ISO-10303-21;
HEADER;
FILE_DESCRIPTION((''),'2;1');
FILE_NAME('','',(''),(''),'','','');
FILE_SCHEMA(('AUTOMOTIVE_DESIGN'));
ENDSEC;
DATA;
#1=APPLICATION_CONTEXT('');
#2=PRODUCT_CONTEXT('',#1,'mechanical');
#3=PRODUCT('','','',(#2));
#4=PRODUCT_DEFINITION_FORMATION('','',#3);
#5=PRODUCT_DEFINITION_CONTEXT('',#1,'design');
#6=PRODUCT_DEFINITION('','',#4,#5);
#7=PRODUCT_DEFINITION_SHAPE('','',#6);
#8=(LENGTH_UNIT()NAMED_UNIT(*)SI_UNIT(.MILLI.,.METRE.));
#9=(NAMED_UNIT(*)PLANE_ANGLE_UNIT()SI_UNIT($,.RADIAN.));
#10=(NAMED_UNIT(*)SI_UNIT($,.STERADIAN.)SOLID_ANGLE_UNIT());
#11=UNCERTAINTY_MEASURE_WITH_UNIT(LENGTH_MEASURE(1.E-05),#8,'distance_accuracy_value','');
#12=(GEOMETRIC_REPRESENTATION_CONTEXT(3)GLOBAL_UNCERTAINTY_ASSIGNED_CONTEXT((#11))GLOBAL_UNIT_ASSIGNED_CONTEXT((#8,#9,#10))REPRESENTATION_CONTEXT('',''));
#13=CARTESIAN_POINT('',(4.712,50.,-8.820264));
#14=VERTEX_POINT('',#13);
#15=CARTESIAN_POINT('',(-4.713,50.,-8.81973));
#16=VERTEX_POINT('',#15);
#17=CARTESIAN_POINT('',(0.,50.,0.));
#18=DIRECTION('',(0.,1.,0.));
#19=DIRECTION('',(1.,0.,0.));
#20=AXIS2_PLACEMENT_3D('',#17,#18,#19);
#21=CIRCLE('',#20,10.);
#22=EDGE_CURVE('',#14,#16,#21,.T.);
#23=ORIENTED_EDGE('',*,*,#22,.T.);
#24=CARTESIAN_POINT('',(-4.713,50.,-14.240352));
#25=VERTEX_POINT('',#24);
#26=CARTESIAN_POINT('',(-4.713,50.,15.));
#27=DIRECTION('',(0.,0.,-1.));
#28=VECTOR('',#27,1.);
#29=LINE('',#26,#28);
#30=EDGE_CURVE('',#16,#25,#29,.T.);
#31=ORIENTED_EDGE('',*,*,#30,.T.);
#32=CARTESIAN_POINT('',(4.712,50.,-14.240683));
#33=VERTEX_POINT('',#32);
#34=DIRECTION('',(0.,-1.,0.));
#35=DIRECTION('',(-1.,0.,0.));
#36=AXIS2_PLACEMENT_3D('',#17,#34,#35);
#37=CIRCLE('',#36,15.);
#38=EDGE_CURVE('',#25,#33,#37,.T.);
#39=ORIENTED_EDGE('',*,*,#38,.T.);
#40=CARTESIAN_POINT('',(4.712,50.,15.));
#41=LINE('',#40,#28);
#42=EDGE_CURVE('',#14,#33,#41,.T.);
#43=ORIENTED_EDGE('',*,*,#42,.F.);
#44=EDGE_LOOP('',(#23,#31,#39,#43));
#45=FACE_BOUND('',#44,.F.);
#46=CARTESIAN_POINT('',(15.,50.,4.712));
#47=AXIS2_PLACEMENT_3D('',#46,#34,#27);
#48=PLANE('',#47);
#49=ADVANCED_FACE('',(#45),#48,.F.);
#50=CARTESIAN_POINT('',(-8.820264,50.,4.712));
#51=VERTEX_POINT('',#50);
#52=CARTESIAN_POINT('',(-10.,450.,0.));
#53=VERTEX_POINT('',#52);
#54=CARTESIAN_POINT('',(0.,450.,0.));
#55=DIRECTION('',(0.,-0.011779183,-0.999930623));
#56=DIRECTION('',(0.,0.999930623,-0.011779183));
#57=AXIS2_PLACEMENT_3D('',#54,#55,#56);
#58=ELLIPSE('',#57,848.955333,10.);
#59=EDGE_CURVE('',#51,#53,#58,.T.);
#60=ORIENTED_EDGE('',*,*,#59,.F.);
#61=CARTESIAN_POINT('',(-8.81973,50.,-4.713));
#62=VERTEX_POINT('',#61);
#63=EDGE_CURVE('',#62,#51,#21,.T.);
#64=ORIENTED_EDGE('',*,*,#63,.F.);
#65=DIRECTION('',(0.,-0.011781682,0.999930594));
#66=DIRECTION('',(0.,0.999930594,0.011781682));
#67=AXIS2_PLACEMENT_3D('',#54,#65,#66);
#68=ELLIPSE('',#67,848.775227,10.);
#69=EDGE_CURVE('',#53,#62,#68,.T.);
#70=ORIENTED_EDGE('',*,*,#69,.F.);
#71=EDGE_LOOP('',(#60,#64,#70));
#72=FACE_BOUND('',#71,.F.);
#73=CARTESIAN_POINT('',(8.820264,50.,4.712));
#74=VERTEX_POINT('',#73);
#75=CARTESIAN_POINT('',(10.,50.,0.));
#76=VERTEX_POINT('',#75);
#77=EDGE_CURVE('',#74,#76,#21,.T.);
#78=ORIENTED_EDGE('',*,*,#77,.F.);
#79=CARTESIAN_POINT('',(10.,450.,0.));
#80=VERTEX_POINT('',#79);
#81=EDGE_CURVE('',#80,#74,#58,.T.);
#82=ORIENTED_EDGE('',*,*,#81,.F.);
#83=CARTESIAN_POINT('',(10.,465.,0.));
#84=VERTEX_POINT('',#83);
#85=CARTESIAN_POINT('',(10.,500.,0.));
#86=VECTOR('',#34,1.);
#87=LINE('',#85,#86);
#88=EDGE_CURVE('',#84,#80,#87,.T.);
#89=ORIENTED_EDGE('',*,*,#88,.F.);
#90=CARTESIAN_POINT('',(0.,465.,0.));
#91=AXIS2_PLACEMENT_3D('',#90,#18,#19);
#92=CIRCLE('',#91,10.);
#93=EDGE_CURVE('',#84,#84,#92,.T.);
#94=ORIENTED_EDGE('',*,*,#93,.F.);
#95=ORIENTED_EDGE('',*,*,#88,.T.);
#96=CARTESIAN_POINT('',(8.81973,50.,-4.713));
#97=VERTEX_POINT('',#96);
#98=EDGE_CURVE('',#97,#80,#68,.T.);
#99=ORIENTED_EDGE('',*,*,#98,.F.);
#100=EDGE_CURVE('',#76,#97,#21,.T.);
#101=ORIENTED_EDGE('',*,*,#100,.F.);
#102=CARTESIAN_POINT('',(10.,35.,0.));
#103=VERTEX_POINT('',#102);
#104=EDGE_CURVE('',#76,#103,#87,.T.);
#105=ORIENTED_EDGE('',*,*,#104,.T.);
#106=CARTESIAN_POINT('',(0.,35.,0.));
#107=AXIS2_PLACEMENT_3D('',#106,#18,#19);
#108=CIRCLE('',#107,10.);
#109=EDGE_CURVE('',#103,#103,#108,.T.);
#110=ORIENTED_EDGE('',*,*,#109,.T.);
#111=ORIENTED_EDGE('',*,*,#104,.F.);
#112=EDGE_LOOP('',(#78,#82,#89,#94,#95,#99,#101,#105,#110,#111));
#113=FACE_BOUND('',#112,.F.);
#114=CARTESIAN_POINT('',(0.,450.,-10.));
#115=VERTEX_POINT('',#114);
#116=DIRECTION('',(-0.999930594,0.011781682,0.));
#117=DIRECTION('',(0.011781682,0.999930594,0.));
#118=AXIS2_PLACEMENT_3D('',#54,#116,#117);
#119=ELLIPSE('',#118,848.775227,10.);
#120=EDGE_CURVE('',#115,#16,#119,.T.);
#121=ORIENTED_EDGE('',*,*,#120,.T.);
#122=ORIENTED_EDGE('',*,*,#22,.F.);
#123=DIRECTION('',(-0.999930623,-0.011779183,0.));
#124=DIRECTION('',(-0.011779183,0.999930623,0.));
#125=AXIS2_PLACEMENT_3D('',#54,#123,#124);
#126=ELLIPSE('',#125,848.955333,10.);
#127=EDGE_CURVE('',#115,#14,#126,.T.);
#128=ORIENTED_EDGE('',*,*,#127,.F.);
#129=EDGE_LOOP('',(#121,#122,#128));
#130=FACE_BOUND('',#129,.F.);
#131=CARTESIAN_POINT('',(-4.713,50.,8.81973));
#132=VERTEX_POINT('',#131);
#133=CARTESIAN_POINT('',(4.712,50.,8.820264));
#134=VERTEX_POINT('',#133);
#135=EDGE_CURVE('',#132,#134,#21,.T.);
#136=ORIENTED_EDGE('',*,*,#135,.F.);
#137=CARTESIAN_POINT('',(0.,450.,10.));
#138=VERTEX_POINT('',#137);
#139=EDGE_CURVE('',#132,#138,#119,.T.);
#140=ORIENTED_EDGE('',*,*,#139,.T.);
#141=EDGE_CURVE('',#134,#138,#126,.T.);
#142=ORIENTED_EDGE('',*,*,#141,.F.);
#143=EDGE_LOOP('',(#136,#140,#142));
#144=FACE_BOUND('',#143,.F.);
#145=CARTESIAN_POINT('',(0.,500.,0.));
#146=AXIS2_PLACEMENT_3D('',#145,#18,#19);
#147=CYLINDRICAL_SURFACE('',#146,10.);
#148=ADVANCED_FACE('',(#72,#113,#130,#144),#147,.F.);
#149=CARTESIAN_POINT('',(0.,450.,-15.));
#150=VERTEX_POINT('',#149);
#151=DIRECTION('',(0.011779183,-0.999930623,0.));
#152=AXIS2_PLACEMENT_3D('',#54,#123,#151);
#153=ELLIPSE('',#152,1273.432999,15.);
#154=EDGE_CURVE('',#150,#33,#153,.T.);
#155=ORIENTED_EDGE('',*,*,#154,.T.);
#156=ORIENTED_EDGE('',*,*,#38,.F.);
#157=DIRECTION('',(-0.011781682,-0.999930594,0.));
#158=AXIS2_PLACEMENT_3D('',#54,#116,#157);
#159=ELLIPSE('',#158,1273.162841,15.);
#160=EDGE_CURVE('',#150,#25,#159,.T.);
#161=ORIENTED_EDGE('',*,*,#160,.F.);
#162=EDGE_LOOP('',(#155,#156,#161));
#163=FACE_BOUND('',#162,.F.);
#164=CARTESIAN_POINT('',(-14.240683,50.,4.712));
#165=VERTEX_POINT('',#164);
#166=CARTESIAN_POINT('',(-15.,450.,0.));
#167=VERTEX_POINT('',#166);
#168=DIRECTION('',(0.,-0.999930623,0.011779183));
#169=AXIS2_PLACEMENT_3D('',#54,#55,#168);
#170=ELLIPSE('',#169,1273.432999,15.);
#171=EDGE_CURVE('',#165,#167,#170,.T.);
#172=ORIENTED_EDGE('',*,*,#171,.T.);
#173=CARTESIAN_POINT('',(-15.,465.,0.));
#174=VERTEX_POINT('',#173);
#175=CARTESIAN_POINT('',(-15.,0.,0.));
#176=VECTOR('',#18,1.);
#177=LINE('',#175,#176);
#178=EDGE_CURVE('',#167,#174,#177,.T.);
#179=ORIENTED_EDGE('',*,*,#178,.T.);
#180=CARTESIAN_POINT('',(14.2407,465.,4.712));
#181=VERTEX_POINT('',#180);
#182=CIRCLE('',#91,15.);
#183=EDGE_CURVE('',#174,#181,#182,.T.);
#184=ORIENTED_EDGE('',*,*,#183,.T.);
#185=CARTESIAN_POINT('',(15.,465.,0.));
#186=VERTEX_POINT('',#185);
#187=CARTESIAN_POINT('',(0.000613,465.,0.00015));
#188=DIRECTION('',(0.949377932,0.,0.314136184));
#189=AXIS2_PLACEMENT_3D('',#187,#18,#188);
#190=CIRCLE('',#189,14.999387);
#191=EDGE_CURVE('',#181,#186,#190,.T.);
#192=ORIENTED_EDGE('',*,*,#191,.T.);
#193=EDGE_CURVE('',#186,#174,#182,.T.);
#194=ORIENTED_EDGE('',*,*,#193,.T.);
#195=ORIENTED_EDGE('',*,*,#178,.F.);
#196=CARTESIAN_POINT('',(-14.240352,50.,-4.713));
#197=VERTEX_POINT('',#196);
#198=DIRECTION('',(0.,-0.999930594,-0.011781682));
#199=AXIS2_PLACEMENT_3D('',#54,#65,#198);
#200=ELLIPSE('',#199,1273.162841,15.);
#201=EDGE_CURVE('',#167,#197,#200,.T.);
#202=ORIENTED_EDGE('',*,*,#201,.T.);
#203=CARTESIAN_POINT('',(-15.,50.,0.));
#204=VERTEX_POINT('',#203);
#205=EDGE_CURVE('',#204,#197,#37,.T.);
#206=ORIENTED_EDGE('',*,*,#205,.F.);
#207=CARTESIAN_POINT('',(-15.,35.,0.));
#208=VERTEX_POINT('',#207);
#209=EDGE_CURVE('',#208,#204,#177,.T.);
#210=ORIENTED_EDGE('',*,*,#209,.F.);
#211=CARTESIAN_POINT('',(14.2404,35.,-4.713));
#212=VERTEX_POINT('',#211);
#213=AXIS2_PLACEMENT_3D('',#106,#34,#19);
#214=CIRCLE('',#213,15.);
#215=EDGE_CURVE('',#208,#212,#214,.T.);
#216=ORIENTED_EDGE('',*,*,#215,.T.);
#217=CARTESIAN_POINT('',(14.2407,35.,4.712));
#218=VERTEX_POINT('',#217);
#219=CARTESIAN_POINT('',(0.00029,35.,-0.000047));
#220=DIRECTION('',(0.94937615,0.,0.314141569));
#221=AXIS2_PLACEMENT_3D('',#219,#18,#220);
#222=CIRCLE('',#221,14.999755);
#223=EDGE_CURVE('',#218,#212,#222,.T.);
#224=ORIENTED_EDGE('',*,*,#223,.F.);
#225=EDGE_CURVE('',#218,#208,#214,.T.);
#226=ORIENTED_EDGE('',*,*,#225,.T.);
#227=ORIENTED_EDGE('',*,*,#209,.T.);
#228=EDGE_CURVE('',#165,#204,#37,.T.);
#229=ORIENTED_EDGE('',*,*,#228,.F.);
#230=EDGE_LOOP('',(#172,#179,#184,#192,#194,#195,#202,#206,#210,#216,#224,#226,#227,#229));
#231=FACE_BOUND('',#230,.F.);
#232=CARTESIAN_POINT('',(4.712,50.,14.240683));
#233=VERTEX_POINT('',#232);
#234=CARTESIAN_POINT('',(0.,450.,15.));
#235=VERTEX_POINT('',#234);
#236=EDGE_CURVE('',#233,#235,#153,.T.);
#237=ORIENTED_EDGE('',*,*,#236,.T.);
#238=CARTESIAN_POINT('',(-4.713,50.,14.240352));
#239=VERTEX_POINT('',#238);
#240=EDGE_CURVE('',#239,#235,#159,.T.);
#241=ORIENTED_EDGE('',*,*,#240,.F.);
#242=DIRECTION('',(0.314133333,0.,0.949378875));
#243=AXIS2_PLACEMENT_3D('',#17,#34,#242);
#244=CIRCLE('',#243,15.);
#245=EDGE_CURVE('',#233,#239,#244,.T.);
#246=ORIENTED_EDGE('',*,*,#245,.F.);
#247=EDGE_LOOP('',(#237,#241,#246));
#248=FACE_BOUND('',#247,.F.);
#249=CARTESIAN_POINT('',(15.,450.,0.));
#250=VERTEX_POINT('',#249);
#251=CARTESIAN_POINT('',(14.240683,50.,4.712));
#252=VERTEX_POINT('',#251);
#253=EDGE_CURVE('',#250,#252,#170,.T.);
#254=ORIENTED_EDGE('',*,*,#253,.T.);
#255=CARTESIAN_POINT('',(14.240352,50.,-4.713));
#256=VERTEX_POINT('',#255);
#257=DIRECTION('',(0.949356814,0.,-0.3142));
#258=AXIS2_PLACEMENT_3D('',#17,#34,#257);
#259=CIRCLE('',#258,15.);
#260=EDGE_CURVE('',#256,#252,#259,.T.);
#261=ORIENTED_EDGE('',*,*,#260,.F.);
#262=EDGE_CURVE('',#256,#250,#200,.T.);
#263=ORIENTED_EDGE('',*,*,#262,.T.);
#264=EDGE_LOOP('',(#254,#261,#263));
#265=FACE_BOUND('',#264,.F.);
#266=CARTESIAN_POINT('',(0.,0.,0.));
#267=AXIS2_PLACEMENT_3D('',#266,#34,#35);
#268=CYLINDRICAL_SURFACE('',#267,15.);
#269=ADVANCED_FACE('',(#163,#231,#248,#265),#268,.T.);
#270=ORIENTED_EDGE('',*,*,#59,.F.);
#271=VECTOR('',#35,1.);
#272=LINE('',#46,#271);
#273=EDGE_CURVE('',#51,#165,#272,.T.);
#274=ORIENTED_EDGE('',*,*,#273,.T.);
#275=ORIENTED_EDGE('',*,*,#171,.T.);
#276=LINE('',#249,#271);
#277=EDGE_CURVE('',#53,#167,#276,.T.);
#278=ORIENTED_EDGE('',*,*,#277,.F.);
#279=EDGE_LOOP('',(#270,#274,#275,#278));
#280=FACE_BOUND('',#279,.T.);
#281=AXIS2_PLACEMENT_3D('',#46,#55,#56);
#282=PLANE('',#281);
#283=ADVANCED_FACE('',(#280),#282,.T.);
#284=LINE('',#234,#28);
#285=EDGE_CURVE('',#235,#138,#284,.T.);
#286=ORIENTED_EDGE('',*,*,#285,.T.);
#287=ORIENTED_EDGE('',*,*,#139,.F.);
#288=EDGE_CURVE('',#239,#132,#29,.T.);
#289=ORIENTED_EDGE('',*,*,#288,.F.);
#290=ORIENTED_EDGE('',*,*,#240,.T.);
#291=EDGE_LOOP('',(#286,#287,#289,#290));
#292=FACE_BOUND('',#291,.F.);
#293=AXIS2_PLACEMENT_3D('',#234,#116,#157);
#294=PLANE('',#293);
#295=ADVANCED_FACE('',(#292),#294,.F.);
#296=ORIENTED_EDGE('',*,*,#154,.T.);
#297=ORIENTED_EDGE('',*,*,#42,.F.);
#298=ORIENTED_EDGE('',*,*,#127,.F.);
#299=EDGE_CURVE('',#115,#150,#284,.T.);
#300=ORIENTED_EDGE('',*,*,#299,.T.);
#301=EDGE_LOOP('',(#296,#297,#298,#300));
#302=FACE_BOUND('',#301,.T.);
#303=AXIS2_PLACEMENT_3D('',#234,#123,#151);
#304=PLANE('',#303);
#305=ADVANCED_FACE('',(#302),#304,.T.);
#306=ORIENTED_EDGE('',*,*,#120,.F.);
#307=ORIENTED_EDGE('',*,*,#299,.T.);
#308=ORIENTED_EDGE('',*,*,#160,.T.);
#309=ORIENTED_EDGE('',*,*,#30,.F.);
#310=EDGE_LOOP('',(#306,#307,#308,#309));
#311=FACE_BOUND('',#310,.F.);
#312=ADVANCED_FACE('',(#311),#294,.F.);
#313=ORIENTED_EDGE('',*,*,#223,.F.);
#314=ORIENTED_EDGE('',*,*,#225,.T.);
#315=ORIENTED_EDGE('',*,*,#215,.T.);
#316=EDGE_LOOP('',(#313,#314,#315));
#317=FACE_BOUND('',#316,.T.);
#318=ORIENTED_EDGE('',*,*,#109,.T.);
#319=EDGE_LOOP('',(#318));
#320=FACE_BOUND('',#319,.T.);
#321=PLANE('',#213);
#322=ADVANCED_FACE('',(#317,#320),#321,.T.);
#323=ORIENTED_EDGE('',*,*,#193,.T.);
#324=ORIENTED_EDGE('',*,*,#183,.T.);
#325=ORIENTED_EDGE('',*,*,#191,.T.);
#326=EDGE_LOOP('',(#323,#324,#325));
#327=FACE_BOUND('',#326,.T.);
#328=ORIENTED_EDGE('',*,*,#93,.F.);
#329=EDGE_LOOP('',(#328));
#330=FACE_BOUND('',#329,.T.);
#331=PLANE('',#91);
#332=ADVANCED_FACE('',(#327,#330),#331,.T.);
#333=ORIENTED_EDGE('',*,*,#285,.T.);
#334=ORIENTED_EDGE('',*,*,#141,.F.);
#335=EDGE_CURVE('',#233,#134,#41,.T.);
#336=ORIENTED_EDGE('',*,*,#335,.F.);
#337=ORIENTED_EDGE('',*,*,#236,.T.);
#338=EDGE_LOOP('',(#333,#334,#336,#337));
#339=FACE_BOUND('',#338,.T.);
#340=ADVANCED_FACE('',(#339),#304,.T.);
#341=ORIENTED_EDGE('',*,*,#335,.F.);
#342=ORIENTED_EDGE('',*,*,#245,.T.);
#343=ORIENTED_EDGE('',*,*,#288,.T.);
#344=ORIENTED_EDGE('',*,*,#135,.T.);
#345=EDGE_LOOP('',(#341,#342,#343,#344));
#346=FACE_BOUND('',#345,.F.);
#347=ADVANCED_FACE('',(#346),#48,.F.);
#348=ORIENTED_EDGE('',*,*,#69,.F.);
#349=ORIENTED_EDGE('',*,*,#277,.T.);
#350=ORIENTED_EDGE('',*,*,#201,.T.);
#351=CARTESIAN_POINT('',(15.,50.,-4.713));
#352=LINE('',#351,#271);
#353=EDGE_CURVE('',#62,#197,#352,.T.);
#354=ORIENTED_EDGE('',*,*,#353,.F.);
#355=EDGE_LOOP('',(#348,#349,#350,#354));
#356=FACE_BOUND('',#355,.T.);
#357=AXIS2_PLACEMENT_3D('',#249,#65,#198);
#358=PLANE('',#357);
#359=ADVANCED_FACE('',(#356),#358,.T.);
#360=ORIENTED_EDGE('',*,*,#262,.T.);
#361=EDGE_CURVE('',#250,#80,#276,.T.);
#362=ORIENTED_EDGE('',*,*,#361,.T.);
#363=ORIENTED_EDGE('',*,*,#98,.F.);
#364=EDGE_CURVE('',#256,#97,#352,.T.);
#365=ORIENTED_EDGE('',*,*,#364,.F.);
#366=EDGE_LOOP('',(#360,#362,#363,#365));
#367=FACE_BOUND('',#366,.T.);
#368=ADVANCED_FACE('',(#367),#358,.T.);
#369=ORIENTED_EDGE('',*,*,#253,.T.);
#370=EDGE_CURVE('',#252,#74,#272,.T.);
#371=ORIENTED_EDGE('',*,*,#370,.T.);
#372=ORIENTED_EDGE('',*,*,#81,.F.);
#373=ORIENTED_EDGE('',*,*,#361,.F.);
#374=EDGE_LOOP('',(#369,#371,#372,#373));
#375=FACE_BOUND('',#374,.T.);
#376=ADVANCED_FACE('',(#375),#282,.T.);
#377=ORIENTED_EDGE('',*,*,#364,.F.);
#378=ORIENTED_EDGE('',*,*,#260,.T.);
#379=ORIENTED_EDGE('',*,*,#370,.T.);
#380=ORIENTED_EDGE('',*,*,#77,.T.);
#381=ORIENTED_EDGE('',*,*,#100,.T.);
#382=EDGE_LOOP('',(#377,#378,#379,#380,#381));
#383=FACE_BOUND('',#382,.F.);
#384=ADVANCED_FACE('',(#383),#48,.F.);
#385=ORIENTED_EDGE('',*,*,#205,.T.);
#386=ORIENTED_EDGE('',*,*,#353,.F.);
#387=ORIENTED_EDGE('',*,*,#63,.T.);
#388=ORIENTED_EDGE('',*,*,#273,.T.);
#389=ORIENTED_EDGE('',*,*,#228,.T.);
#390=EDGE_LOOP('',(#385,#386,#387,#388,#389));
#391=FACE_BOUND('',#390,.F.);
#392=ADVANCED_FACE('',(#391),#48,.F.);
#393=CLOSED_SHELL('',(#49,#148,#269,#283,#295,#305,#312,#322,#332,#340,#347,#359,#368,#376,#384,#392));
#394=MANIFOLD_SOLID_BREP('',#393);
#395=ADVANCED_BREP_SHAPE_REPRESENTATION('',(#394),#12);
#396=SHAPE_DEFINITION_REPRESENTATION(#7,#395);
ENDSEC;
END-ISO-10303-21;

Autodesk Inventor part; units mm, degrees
ref_plane "XZ Plane" through (0, 0, 0) normal (0, 1, 0) x (-1, 0, 0)
sketch "Sketch1" plane through (0, 0, 0) normal (0, 1, 0) x (-1, 0, 0)
  circle A0 centre (0, 0) radius 15
  dimension "d0" = 30
extrude "Extrusion1" add sketch "Sketch1" along normal blind 500
ref_plane "Work Plane1" through (15, 0, 0) normal (1, 0, 0) x (0, 1, 0)
sketch "Sketch2" plane through (15, 0, 0) normal (1, 0, 0) x (0, 1, 0)
  line L0 (50, 4.712) -> (50, -4.713)
  line L1 (450, 0) -> (50, -4.713)
  line L2 (50, 4.712) -> (450, 0)
  point P0 (0, 0)
  dimension "d4" = 9.425
extrude "Extrusion2" cut sketch "Sketch2" against normal blind 500
ref_plane "Work Plane2" through (0, 0, 15) normal (0, 0, 1) x (1, 0, 0)
sketch "Sketch3" plane through (0, 0, 15) normal (0, 0, 1) x (1, 0, 0)
  line L0 (4.712, 50) -> (-4.713, 50)
  line L1 (0, 450) -> (4.712, 50)
  line L2 (0, 450) -> (-4.713, 50)
  point P0 (0, 0)
  dimension "d8" = 9.425
extrude "Extrusion3" cut sketch "Sketch3" against normal blind 500
sketch "Sketch4" plane through (0, 500, 0) normal (0, 1, 0) x (1, 0, 0)
  circle A0 centre (0, 0) radius 10
  dimension "d11" = 20
extrude "Extrusion4" cut sketch "Sketch4" against normal blind 500
sketch "Sketch5" plane through (0, 500, 0) normal (0, 1, 0) x (1, 0, 0)
  circle A0 centre (0, 0) radius 15
extrude "Extrusion5" cut sketch "Sketch5" against normal blind 10
sketch "Sketch6" plane through (0, 0, 0) normal (0, -1, 0) x (1, 0, 0)
  circle A0 centre (0, 0) radius 15
extrude "Extrusion6" cut sketch "Sketch6" against normal blind 10
sketch "Sketch7" plane through (0, 0, 0) normal (0, 0, 1) x (1, 0, 0)
  point P0 (0, 0)
sketch "Sketch8" plane through (0, 10, 0) normal (0, -1, 0) x (1, 0, 0)
  circle A0 centre (0, 0) radius 15
extrude "Extrusion7" cut sketch "Sketch8" against normal blind 10
sketch "Sketch9" plane through (0, 490, 0) normal (0, 1, 0) x (1, 0, 0)
  circle A0 centre (0, 0) radius 10 projected
  circle A1 centre (0, 0) radius 15
extrude "Extrusion8" cut sketch "Sketch9" against normal blind 10
sketch "Sketch10" plane through (0, 20, 0) normal (0, -1, 0) x (1, 0, 0)
  arc A0 (14.2404, -4.713) -> (14.2407, 4.712) centre (0, 0) ccw projected
  circle A1 centre (0, 0) radius 15
extrude "Extrusion9" cut sketch "Sketch10" against normal blind 15
sketch "Sketch11" plane through (0, 480, 0) normal (0, 1, 0) x (1, 0, 0)
  arc A0 (14.2407, -4.712) -> (15, 0) centre (0, 0) ccw projected
  circle A1 centre (0, 0) radius 15
extrude "Extrusion10" cut sketch "Sketch11" against normal blind 15
properties part number "steam pipe"
